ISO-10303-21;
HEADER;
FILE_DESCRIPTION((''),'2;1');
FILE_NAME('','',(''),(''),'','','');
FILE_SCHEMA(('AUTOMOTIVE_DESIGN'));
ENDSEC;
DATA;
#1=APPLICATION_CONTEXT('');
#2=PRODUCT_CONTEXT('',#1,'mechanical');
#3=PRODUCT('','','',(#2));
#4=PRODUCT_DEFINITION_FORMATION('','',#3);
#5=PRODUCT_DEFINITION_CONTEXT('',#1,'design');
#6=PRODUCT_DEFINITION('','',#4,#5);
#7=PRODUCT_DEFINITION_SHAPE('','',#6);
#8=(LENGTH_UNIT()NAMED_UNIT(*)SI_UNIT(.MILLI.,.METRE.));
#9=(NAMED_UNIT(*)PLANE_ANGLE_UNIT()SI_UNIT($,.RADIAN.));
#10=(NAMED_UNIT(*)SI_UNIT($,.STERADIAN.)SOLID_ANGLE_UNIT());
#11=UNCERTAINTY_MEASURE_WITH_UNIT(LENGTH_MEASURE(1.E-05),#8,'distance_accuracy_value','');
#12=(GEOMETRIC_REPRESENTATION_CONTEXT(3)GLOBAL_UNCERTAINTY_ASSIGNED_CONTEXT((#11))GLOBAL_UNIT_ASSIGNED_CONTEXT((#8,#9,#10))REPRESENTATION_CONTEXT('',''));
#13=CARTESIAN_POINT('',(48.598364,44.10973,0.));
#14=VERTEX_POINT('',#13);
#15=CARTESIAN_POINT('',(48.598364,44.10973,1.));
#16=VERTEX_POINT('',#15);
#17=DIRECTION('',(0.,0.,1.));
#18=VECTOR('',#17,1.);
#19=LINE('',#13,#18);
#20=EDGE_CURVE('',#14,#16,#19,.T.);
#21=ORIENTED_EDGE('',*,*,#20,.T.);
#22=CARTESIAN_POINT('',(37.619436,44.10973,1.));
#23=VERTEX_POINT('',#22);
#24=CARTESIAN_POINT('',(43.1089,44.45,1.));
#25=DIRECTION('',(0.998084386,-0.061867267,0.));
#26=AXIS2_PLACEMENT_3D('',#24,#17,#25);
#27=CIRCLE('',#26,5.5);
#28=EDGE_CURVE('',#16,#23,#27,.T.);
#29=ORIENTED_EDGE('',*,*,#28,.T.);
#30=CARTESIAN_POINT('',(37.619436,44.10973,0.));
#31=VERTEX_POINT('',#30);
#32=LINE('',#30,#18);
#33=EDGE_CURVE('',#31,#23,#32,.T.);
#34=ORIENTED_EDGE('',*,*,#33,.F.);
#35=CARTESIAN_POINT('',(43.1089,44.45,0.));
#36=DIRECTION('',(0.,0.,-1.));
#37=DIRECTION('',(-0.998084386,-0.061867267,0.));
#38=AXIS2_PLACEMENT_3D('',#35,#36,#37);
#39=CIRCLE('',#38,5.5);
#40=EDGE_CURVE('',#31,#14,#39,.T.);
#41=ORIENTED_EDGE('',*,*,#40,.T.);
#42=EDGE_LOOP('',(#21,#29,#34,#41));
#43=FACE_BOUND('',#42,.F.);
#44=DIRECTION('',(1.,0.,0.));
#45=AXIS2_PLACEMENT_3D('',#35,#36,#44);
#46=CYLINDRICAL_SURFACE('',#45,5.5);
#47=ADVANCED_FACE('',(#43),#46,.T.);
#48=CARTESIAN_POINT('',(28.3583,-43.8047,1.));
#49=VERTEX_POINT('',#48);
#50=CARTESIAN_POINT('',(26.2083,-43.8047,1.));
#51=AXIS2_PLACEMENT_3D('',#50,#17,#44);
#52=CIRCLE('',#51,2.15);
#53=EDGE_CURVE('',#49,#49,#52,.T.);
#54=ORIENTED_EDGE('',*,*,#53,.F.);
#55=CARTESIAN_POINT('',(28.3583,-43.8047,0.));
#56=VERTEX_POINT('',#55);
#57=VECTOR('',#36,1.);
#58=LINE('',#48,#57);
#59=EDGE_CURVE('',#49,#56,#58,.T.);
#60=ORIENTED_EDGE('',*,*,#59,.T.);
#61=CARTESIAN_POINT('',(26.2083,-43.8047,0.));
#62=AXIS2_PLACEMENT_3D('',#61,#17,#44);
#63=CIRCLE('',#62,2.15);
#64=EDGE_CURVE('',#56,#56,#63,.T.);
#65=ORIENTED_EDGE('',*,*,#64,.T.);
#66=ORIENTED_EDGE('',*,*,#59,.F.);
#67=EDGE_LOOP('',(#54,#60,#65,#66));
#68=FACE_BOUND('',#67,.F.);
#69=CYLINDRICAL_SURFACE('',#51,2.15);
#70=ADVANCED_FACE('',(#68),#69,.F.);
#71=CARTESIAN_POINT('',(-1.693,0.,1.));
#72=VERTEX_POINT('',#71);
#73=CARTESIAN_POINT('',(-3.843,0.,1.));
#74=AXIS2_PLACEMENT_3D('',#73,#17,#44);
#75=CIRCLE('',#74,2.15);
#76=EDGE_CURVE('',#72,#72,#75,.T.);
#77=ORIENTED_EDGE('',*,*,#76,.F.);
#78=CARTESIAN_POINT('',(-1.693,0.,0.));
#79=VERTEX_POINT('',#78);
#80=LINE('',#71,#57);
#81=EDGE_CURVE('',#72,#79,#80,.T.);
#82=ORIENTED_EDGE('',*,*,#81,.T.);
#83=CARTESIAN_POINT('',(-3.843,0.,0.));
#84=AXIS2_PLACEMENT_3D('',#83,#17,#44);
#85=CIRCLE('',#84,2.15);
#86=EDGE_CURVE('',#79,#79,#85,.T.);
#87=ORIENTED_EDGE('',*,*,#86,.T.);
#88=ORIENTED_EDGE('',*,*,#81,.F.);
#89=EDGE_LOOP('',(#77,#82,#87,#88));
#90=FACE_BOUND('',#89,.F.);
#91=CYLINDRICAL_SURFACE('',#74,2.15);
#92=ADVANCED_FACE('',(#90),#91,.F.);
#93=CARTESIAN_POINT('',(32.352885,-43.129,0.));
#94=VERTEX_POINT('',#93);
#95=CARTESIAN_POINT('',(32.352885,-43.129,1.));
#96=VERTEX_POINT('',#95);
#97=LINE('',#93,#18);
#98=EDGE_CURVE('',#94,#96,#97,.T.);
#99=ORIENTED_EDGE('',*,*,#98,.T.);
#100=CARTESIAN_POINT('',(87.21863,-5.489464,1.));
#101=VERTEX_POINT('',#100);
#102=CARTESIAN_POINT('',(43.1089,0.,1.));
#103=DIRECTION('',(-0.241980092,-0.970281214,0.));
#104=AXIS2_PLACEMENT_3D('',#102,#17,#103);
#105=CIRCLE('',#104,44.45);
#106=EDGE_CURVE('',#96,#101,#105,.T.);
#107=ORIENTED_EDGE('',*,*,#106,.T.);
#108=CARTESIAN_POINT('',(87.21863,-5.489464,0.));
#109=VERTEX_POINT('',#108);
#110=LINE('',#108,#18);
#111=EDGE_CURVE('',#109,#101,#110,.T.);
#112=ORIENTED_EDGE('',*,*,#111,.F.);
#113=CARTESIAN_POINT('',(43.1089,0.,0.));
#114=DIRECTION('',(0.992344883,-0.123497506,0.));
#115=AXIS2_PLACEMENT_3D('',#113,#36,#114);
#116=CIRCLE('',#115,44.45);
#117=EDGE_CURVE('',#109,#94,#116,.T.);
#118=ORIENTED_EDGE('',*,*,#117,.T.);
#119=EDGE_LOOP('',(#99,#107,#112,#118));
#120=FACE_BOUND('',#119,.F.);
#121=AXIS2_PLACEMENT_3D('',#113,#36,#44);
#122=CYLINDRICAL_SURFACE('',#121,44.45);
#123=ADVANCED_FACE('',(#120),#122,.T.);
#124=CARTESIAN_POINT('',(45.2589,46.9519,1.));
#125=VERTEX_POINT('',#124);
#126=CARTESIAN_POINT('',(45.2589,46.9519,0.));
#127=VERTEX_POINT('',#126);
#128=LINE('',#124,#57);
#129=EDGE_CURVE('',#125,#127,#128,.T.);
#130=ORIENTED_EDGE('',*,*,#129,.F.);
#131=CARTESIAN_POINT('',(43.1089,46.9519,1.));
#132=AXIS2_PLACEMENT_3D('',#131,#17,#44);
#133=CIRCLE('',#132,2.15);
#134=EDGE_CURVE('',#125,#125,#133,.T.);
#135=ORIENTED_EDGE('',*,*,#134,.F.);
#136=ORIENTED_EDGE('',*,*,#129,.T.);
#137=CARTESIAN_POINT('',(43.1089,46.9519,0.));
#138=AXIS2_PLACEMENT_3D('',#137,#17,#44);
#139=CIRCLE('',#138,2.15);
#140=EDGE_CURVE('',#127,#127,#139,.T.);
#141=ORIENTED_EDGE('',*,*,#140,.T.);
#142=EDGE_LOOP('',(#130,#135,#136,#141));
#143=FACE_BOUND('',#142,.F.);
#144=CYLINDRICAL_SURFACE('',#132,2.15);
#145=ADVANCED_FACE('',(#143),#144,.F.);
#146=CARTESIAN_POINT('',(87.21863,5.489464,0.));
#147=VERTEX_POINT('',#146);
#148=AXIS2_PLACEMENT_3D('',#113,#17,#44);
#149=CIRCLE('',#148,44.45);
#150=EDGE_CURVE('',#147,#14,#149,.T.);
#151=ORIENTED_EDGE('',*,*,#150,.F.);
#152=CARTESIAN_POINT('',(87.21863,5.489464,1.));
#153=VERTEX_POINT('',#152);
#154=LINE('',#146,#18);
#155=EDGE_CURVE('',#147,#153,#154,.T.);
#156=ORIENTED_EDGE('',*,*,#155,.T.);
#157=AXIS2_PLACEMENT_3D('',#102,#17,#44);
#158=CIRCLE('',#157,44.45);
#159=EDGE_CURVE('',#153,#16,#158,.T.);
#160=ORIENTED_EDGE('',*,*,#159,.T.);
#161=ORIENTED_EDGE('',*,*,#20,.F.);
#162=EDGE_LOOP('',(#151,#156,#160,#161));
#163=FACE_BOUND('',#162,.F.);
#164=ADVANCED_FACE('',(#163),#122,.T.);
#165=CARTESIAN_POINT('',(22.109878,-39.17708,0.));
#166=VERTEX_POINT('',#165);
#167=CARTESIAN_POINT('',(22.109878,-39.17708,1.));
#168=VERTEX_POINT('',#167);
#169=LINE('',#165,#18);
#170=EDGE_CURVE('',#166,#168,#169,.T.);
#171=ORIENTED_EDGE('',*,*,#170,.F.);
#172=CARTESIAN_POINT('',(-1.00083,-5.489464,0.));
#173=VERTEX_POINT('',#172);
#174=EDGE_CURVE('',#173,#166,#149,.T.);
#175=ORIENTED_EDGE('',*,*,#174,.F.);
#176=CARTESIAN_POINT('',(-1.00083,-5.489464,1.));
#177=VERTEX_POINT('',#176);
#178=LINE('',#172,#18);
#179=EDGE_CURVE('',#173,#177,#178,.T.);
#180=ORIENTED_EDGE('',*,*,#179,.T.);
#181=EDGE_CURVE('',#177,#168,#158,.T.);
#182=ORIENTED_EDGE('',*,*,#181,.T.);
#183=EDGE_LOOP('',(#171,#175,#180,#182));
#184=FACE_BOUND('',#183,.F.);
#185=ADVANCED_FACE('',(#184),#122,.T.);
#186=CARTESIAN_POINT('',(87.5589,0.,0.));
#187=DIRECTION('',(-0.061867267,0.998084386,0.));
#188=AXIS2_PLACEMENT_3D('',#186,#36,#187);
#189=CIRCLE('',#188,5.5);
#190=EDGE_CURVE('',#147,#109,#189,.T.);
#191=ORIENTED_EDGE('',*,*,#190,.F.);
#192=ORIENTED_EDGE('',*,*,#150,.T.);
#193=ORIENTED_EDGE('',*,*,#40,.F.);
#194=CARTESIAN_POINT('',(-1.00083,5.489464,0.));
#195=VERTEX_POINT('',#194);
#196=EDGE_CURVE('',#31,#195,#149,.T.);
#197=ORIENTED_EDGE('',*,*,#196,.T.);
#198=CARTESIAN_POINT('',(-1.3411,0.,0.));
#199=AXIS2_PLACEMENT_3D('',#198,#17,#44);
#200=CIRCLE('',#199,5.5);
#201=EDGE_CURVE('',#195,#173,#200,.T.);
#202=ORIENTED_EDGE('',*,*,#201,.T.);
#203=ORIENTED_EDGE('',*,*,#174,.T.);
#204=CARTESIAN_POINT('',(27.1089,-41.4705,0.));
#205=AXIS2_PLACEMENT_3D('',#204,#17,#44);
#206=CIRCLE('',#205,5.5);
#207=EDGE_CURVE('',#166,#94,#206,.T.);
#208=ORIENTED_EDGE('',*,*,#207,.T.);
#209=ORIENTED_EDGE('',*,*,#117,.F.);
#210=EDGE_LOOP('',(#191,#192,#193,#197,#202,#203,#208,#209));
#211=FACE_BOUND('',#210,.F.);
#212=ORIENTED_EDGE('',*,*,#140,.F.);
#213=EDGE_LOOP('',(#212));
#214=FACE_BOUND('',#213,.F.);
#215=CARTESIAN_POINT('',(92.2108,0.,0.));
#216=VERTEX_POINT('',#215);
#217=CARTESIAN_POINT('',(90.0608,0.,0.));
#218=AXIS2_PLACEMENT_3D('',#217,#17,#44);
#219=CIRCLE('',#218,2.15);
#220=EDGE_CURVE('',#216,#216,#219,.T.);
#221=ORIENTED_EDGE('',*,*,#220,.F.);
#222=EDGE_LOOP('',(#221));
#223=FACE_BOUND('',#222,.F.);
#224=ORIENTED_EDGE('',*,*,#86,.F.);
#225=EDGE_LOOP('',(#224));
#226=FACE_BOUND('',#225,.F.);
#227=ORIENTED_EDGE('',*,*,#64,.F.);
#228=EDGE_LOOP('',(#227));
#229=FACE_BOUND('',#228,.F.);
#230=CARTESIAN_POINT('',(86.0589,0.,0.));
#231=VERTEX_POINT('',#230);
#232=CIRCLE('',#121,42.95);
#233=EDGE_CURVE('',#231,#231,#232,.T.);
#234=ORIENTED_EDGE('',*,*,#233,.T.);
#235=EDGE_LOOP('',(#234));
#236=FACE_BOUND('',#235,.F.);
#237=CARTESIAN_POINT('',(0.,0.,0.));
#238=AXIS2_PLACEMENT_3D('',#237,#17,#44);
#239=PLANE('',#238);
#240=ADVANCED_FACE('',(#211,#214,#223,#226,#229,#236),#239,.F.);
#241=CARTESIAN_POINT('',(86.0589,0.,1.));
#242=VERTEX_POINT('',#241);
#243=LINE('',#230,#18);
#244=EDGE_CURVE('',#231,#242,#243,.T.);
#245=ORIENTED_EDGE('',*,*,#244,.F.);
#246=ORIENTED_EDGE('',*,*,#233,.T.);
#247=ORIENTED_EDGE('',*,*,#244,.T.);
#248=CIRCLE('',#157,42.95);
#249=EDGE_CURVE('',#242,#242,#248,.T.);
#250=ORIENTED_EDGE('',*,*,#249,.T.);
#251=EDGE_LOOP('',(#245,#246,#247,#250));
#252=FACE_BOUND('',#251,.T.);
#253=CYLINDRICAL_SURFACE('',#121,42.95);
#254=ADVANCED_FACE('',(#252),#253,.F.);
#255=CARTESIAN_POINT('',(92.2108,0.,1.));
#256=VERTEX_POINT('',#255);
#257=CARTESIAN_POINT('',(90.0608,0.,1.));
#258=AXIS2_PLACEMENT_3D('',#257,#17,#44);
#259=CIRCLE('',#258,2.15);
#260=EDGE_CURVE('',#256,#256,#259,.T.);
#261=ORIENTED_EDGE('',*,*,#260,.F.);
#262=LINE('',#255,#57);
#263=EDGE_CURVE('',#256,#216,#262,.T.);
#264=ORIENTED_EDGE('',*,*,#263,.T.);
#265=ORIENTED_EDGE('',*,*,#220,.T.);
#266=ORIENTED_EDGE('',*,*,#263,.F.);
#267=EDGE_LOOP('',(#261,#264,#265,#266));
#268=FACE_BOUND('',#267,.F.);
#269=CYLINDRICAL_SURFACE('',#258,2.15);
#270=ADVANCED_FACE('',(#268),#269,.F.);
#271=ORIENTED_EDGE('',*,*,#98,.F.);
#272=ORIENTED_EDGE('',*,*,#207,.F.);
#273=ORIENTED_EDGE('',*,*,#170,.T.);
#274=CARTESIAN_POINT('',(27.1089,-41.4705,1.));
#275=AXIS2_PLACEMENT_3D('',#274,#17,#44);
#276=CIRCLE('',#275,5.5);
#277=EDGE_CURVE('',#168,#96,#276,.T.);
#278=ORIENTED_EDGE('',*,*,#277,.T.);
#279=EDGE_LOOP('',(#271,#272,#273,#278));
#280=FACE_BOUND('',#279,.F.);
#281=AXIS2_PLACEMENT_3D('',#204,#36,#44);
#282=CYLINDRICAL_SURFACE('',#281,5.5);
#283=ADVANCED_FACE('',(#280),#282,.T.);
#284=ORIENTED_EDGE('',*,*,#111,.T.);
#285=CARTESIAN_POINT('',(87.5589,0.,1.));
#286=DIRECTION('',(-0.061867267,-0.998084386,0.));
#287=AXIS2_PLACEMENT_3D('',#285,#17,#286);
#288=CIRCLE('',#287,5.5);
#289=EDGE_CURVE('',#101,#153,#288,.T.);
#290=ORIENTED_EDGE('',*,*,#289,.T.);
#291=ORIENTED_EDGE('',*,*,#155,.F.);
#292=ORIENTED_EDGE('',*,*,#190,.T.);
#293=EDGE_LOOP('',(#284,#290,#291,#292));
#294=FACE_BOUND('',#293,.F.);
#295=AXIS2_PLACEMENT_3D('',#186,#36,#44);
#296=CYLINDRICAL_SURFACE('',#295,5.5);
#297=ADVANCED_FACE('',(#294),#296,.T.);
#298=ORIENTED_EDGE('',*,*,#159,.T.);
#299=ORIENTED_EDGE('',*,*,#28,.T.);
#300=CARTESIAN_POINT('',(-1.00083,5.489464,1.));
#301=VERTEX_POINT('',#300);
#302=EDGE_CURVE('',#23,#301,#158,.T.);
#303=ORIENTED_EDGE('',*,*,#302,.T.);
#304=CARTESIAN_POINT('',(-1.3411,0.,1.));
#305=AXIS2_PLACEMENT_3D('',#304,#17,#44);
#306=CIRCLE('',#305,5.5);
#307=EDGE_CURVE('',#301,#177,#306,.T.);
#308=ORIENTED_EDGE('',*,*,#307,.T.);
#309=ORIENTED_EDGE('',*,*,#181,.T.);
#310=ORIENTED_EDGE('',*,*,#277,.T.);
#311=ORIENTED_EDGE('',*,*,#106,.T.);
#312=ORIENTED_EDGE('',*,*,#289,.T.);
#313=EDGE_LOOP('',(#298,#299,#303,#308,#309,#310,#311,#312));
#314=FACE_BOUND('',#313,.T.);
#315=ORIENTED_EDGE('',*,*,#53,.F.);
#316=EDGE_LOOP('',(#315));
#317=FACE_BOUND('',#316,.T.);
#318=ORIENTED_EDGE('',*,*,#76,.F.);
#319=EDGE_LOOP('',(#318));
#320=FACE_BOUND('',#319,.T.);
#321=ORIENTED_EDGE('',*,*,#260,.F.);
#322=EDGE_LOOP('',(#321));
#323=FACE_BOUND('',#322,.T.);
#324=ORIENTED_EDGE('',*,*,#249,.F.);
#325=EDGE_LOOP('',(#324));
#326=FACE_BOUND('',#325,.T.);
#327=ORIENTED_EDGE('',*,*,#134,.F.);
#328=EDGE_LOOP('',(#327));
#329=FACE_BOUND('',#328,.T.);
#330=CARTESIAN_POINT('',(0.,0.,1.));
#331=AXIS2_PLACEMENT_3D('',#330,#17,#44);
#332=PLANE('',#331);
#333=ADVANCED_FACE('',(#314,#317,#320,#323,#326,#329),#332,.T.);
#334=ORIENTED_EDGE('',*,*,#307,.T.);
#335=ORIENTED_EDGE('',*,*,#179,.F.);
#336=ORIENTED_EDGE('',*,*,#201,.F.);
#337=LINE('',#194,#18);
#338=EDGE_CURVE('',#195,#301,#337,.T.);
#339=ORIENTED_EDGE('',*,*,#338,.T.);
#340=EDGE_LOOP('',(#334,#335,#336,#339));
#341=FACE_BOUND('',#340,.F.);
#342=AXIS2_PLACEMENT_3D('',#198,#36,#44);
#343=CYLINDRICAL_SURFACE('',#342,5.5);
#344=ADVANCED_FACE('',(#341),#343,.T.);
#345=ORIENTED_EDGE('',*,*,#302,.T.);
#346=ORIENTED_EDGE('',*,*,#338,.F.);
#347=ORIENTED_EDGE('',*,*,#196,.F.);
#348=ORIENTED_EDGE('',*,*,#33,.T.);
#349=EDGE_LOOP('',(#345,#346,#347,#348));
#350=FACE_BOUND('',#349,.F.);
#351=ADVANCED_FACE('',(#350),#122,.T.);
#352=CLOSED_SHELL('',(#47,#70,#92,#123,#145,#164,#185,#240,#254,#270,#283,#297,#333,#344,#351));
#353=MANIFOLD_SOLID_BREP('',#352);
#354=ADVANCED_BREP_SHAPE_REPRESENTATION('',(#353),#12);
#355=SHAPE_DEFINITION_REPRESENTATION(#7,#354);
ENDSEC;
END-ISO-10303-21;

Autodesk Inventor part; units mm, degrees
ref_plane "YZ Plane" through (0, 0, 0) normal (1, 0, 0) x (0, 1, 0)
ref_plane "XZ Plane" through (0, 0, 0) normal (0, 1, 0) x (-1, 0, 0)
ref_plane "XY Plane" through (0, 0, 0) normal (0, 0, 1) x (1, 0, 0)
sketch "Sketch1" plane through (0, 0, 0) normal (0, 0, 1) x (1, 0, 0)
  circle A0 centre (43.1089, 0) radius 44.45 projected
  circle A1 centre (43.1089, 0) radius 42.95
  line L0 (43.1089, -44.45) -> (43.1089, 44.45)
  line L1 (43.1089, 44.45) -> (43.1089, 62.0895)
  line L2 (87.5589, 0) -> (-1.3411, 0)
  circle A2 centre (43.1089, 44.45) radius 5.5
  circle A3 centre (87.5589, 0) radius 5.5
  circle A4 centre (-1.3411, 0) radius 5.5
  circle A5 centre (27.1089, -41.4705) radius 5.5
  point P0 (0, 0)
  point P1 (48.5984, 44.1097)
  point P2 (37.6194, 44.1097)
  point P3 (-1.0008, 5.4895)
  point P4 (-1.0008, -5.4895)
  point P5 (87.2186, -5.4895)
  point P6 (87.2186, 5.4895)
  point P7 (43.1089, 0)
  point P8 (32.3529, -43.129)
  point P9 (22.1099, -39.1771)
  dimension "d0" = 1.5
  dimension "d1" = 0
  dimension "d2" = 88.9
  dimension "d3" = 44.45
  dimension "d4" = 88.9
  dimension "d5" = 0
  dimension "d6" = 44.45
  dimension "d7" = 11
  dimension "d8" = 11
  dimension "d10" = 11
  dimension "d27" = 11
  dimension "d29" = 44.45
  dimension "d30" = 16
extrude "Extrusion1" add sketch "Sketch1" along normal blind 1 contours L2 A1 A3 A0 | A0 A3 | A0 A3 A1 L2 | A3 A1 A2 A0 | A0 L0 A1 A3 | A2 A1 L0 A0 | A0 L1 A2 | A0 A5 A1 L0 | L0 A1 A2 A0 | A0 A2 L1 | A5 A0 | A0 A5 A1 | A2 A1 A4 A0 | A0 A4 A1 A5 | A4 A1 L2 A0 | A0 A4 | A0 L2 A1 A4
sketch "Sketch2" plane through (0, 0, 1) normal (0, 0, 1) x (1, 0, 0)
  circle A0 centre (43.1089, 46.9519) radius 2.15
  arc A1 (-1.0008, -5.4895) -> (48.5984, 44.1097) centre (43.1089, 0) ccw projected
  arc A2 (48.5984, 44.1097) -> (37.6194, 44.1097) centre (43.1089, 44.45) ccw projected
  circle A3 centre (43.1089, 0) radius 44.45
  circle A4 centre (90.0608, 0) radius 2.15
  circle A5 centre (-3.843, 0) radius 2.15
  arc A6 (87.2186, -5.4895) -> (87.2186, 5.4895) centre (87.5589, 0) ccw projected
  arc A7 (-1.0008, 5.4895) -> (-1.0008, -5.4895) centre (-1.3411, 0) ccw projected
  circle A8 centre (26.2083, -43.8047) radius 2.15
  arc A9 (22.1099, -39.1771) -> (32.3529, -43.129) centre (27.1089, -41.4705) ccw projected
  point P0 (0, 0)
  point P1 (25.1291, -46.6018)
  point P2 (25.1291, -46.6018)
  point P3 (-6.8411, 0)
  dimension "d13" = 4.3
  dimension "d14" = 2.5019
  dimension "d15" = 0
  dimension "d16" = 4.3
  dimension "d18" = 4.3
  dimension "d19" = 0
  dimension "d20" = 2.5019
  dimension "d23" = 0
  dimension "d24" = 2.5019
  dimension "d31" = 4.3
  dimension "d33" = 2.5019
  dimension "d35" = 2.9981
  dimension "d36" = 5.5
extrude "Extrusion2" cut sketch "Sketch2" against normal through all contours A0 | A4 | A5 | A8
equation "\"d3\" = 0.5 * d2"
equation "\"d4\" = d2"
equation "\"d6\" = d3"
equation "\"d8\" = d7"
equation "\"d10\" = d7"
equation "\"d27\" = d28"
equation "\"d29\" = d3"
equation "\"d20\" = d14"
equation "\"d24\" = d22"
equation "\"d33\" = d20"
equation "\"d35\" = d36 - d20"
equation "\"d22\" = d20"
equation "\"d28\" = 11"
properties part number "big_funny_washer"
